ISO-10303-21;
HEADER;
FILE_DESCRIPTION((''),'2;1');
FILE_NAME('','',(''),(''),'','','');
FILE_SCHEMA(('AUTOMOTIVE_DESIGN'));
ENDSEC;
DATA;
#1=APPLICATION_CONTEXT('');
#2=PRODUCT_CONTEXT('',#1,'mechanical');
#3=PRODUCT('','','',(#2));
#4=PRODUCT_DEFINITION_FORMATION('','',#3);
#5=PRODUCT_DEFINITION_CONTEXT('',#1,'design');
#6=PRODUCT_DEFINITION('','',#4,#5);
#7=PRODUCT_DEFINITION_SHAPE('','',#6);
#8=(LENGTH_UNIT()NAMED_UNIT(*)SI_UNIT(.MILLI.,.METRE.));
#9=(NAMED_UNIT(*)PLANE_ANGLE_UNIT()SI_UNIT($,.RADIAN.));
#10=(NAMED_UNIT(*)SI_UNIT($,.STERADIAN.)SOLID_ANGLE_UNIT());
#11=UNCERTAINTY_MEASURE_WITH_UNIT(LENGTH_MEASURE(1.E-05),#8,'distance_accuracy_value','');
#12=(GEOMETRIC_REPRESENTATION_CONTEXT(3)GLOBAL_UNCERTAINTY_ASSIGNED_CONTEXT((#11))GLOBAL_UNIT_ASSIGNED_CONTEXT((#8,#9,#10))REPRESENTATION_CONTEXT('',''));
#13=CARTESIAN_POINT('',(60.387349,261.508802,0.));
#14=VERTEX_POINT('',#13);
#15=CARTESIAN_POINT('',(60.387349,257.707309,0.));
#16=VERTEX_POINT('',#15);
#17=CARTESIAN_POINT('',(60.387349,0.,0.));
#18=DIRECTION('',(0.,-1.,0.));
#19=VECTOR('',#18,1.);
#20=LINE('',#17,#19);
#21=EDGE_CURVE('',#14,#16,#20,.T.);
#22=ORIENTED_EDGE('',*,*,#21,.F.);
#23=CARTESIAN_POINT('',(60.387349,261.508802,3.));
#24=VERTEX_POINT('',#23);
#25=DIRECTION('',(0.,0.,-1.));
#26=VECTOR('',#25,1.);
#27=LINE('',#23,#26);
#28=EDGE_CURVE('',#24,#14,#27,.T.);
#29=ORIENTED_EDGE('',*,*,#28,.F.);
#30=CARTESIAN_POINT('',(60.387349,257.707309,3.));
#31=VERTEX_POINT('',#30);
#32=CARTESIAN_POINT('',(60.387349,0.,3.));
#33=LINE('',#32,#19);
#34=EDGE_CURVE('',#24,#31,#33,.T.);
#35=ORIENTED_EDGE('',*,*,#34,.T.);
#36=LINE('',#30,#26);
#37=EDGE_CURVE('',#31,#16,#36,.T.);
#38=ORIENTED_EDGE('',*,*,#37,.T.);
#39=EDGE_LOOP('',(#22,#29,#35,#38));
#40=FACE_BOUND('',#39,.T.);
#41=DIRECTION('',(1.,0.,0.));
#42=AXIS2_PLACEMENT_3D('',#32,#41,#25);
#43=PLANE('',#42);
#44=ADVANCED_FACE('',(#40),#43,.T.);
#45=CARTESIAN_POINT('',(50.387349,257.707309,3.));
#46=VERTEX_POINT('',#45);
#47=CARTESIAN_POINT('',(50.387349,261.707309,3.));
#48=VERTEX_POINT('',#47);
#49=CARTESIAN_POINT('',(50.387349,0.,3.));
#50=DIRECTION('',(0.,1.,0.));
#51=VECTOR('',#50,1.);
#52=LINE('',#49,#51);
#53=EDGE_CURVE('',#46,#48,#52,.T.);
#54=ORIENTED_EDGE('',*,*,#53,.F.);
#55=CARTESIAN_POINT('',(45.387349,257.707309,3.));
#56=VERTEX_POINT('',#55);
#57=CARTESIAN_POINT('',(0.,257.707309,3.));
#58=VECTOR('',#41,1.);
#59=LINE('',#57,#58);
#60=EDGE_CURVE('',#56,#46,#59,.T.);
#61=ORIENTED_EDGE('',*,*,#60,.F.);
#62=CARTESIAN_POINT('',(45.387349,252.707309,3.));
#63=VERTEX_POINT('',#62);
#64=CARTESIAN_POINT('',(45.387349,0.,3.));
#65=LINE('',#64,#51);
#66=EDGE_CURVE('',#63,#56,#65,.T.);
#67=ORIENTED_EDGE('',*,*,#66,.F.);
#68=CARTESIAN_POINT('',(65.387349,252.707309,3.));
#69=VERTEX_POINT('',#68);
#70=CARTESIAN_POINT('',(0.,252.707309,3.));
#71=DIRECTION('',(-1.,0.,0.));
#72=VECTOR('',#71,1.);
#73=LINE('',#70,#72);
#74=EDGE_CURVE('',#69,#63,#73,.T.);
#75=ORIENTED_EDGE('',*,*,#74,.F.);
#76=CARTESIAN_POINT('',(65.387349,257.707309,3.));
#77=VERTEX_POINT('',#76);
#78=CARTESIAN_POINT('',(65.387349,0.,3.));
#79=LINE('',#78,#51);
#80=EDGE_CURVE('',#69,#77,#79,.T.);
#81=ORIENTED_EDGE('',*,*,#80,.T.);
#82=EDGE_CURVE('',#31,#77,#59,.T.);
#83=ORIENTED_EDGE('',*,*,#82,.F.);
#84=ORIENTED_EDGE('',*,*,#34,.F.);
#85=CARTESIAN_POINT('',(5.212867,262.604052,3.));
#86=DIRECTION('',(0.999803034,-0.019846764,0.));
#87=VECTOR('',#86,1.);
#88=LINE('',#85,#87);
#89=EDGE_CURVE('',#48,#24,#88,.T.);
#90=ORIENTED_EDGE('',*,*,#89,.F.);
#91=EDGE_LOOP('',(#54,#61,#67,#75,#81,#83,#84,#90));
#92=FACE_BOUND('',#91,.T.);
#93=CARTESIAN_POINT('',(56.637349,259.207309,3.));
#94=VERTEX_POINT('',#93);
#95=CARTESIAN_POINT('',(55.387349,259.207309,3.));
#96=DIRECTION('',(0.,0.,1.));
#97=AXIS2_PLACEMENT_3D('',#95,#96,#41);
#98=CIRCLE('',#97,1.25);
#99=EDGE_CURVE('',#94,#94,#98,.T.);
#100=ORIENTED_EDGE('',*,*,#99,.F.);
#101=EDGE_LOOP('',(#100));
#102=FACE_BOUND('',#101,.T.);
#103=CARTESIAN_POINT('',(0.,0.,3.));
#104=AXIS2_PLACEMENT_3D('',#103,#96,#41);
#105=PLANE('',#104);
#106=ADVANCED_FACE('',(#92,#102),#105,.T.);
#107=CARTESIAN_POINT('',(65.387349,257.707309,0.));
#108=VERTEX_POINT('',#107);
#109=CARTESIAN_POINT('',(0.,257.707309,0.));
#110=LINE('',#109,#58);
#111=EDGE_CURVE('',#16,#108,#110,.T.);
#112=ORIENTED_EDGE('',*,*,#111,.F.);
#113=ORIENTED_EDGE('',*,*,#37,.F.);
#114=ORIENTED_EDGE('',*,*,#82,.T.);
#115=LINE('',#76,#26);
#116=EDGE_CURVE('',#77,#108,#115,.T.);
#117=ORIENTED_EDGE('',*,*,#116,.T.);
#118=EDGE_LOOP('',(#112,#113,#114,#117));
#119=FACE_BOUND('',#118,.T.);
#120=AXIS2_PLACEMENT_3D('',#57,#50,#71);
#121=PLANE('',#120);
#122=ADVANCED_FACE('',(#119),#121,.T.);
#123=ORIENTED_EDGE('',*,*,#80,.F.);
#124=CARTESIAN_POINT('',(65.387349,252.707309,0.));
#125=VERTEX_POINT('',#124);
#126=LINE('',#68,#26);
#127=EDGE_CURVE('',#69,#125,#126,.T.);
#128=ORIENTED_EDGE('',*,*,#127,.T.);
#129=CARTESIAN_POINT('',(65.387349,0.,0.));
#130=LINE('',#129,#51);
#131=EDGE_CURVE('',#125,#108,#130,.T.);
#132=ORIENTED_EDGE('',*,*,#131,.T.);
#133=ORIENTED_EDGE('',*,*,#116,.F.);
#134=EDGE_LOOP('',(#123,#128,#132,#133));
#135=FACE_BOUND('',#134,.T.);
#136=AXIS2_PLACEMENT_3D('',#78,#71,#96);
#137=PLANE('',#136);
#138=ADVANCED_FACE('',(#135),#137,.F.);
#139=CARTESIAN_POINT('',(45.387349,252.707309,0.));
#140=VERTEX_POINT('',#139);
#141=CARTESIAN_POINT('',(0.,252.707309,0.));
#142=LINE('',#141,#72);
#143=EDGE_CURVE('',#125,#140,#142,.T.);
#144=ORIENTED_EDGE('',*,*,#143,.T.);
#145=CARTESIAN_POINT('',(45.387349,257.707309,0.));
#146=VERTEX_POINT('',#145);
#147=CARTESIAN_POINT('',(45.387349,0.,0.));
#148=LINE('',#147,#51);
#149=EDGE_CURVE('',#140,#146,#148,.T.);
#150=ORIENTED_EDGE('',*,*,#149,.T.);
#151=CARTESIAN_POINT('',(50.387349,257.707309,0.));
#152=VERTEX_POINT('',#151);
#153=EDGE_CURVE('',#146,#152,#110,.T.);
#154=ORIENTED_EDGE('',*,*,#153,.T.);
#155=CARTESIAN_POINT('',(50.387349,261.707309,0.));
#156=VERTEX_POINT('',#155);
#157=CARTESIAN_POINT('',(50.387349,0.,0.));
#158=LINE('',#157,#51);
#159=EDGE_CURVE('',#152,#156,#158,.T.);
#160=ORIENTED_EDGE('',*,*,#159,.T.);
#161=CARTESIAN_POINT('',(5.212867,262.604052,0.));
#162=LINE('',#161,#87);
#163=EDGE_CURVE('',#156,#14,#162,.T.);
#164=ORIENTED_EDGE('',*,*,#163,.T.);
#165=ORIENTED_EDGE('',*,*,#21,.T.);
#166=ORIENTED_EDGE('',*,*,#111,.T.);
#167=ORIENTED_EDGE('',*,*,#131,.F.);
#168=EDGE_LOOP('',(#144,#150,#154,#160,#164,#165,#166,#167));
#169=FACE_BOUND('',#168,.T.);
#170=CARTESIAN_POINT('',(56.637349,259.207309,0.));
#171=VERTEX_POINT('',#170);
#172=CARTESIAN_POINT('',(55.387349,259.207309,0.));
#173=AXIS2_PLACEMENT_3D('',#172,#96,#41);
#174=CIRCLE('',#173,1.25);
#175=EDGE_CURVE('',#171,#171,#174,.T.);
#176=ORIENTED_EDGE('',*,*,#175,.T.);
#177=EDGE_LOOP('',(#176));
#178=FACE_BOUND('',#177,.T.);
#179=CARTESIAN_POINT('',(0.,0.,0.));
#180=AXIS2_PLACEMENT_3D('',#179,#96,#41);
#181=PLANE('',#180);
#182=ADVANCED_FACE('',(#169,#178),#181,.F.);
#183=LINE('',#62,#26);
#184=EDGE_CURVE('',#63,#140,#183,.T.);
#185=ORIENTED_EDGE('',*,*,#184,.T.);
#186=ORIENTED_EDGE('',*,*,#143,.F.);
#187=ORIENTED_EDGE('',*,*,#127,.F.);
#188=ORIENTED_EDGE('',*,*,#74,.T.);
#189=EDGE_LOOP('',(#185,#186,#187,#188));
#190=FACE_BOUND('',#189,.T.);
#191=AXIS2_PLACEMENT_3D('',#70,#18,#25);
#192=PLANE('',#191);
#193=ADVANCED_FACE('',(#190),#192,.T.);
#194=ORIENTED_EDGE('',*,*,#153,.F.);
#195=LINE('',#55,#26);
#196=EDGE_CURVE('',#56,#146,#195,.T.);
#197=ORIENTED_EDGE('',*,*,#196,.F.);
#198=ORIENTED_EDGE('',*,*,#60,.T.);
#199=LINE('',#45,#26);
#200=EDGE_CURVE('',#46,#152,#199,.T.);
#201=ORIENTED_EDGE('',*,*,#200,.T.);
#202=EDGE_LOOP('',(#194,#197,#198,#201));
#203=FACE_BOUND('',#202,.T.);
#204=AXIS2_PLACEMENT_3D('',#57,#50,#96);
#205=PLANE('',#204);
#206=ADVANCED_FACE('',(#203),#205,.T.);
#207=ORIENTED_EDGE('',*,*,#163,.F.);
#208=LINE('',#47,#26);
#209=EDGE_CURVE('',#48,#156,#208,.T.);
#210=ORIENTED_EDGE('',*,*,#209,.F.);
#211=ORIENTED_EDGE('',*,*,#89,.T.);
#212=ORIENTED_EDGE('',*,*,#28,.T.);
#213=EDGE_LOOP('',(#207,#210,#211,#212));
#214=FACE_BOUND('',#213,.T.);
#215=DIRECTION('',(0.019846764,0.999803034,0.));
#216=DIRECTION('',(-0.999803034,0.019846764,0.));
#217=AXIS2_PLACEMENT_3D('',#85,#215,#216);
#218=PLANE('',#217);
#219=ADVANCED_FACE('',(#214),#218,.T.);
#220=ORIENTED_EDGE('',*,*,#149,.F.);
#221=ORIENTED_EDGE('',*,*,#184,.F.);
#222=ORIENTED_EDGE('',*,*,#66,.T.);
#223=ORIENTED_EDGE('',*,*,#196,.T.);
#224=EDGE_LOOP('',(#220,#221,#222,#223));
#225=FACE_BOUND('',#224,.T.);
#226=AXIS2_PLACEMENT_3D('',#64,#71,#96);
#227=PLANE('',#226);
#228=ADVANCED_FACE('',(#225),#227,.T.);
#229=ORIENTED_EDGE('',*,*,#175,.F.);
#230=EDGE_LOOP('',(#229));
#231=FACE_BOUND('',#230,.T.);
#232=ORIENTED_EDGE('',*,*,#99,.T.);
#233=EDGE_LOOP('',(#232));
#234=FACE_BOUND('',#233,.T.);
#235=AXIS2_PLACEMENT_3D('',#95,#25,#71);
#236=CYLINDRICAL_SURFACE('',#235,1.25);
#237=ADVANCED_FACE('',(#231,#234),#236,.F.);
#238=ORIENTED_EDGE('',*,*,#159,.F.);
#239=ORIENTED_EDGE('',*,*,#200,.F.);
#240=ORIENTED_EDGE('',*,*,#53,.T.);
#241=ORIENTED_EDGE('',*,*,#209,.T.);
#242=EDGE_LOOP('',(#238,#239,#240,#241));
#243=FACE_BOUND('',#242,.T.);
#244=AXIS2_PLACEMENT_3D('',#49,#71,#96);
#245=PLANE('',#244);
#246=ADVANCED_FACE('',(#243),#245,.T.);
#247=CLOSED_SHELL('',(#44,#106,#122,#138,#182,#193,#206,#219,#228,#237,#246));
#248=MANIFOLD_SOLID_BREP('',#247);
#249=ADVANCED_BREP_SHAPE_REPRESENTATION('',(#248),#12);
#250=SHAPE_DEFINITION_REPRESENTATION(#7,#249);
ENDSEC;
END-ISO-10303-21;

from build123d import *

# Parameters (mm, degrees)
SKETCH1_R           = 1.25
BOSS_EXTRUDE1_DEPTH = 3


with BuildPart() as part:
    # Sketch1 → Boss-Extrude1 (new body)
    with BuildSketch(Plane.XY):
        Polygon((60.387348838, 257.707308564), (65.387348838, 257.707308564), (65.387348838, 252.707308564), (45.387348838, 252.707308564), (45.387348838, 257.707308564), (50.387348838, 257.707308564), (50.387348838, 261.707308564), (60.387348838, 261.508801823), align=None)
        with Locations((55.387348838, 259.207308564)):
            Circle(SKETCH1_R, mode=Mode.SUBTRACT)
    extrude(amount=BOSS_EXTRUDE1_DEPTH)


solid = part.part
